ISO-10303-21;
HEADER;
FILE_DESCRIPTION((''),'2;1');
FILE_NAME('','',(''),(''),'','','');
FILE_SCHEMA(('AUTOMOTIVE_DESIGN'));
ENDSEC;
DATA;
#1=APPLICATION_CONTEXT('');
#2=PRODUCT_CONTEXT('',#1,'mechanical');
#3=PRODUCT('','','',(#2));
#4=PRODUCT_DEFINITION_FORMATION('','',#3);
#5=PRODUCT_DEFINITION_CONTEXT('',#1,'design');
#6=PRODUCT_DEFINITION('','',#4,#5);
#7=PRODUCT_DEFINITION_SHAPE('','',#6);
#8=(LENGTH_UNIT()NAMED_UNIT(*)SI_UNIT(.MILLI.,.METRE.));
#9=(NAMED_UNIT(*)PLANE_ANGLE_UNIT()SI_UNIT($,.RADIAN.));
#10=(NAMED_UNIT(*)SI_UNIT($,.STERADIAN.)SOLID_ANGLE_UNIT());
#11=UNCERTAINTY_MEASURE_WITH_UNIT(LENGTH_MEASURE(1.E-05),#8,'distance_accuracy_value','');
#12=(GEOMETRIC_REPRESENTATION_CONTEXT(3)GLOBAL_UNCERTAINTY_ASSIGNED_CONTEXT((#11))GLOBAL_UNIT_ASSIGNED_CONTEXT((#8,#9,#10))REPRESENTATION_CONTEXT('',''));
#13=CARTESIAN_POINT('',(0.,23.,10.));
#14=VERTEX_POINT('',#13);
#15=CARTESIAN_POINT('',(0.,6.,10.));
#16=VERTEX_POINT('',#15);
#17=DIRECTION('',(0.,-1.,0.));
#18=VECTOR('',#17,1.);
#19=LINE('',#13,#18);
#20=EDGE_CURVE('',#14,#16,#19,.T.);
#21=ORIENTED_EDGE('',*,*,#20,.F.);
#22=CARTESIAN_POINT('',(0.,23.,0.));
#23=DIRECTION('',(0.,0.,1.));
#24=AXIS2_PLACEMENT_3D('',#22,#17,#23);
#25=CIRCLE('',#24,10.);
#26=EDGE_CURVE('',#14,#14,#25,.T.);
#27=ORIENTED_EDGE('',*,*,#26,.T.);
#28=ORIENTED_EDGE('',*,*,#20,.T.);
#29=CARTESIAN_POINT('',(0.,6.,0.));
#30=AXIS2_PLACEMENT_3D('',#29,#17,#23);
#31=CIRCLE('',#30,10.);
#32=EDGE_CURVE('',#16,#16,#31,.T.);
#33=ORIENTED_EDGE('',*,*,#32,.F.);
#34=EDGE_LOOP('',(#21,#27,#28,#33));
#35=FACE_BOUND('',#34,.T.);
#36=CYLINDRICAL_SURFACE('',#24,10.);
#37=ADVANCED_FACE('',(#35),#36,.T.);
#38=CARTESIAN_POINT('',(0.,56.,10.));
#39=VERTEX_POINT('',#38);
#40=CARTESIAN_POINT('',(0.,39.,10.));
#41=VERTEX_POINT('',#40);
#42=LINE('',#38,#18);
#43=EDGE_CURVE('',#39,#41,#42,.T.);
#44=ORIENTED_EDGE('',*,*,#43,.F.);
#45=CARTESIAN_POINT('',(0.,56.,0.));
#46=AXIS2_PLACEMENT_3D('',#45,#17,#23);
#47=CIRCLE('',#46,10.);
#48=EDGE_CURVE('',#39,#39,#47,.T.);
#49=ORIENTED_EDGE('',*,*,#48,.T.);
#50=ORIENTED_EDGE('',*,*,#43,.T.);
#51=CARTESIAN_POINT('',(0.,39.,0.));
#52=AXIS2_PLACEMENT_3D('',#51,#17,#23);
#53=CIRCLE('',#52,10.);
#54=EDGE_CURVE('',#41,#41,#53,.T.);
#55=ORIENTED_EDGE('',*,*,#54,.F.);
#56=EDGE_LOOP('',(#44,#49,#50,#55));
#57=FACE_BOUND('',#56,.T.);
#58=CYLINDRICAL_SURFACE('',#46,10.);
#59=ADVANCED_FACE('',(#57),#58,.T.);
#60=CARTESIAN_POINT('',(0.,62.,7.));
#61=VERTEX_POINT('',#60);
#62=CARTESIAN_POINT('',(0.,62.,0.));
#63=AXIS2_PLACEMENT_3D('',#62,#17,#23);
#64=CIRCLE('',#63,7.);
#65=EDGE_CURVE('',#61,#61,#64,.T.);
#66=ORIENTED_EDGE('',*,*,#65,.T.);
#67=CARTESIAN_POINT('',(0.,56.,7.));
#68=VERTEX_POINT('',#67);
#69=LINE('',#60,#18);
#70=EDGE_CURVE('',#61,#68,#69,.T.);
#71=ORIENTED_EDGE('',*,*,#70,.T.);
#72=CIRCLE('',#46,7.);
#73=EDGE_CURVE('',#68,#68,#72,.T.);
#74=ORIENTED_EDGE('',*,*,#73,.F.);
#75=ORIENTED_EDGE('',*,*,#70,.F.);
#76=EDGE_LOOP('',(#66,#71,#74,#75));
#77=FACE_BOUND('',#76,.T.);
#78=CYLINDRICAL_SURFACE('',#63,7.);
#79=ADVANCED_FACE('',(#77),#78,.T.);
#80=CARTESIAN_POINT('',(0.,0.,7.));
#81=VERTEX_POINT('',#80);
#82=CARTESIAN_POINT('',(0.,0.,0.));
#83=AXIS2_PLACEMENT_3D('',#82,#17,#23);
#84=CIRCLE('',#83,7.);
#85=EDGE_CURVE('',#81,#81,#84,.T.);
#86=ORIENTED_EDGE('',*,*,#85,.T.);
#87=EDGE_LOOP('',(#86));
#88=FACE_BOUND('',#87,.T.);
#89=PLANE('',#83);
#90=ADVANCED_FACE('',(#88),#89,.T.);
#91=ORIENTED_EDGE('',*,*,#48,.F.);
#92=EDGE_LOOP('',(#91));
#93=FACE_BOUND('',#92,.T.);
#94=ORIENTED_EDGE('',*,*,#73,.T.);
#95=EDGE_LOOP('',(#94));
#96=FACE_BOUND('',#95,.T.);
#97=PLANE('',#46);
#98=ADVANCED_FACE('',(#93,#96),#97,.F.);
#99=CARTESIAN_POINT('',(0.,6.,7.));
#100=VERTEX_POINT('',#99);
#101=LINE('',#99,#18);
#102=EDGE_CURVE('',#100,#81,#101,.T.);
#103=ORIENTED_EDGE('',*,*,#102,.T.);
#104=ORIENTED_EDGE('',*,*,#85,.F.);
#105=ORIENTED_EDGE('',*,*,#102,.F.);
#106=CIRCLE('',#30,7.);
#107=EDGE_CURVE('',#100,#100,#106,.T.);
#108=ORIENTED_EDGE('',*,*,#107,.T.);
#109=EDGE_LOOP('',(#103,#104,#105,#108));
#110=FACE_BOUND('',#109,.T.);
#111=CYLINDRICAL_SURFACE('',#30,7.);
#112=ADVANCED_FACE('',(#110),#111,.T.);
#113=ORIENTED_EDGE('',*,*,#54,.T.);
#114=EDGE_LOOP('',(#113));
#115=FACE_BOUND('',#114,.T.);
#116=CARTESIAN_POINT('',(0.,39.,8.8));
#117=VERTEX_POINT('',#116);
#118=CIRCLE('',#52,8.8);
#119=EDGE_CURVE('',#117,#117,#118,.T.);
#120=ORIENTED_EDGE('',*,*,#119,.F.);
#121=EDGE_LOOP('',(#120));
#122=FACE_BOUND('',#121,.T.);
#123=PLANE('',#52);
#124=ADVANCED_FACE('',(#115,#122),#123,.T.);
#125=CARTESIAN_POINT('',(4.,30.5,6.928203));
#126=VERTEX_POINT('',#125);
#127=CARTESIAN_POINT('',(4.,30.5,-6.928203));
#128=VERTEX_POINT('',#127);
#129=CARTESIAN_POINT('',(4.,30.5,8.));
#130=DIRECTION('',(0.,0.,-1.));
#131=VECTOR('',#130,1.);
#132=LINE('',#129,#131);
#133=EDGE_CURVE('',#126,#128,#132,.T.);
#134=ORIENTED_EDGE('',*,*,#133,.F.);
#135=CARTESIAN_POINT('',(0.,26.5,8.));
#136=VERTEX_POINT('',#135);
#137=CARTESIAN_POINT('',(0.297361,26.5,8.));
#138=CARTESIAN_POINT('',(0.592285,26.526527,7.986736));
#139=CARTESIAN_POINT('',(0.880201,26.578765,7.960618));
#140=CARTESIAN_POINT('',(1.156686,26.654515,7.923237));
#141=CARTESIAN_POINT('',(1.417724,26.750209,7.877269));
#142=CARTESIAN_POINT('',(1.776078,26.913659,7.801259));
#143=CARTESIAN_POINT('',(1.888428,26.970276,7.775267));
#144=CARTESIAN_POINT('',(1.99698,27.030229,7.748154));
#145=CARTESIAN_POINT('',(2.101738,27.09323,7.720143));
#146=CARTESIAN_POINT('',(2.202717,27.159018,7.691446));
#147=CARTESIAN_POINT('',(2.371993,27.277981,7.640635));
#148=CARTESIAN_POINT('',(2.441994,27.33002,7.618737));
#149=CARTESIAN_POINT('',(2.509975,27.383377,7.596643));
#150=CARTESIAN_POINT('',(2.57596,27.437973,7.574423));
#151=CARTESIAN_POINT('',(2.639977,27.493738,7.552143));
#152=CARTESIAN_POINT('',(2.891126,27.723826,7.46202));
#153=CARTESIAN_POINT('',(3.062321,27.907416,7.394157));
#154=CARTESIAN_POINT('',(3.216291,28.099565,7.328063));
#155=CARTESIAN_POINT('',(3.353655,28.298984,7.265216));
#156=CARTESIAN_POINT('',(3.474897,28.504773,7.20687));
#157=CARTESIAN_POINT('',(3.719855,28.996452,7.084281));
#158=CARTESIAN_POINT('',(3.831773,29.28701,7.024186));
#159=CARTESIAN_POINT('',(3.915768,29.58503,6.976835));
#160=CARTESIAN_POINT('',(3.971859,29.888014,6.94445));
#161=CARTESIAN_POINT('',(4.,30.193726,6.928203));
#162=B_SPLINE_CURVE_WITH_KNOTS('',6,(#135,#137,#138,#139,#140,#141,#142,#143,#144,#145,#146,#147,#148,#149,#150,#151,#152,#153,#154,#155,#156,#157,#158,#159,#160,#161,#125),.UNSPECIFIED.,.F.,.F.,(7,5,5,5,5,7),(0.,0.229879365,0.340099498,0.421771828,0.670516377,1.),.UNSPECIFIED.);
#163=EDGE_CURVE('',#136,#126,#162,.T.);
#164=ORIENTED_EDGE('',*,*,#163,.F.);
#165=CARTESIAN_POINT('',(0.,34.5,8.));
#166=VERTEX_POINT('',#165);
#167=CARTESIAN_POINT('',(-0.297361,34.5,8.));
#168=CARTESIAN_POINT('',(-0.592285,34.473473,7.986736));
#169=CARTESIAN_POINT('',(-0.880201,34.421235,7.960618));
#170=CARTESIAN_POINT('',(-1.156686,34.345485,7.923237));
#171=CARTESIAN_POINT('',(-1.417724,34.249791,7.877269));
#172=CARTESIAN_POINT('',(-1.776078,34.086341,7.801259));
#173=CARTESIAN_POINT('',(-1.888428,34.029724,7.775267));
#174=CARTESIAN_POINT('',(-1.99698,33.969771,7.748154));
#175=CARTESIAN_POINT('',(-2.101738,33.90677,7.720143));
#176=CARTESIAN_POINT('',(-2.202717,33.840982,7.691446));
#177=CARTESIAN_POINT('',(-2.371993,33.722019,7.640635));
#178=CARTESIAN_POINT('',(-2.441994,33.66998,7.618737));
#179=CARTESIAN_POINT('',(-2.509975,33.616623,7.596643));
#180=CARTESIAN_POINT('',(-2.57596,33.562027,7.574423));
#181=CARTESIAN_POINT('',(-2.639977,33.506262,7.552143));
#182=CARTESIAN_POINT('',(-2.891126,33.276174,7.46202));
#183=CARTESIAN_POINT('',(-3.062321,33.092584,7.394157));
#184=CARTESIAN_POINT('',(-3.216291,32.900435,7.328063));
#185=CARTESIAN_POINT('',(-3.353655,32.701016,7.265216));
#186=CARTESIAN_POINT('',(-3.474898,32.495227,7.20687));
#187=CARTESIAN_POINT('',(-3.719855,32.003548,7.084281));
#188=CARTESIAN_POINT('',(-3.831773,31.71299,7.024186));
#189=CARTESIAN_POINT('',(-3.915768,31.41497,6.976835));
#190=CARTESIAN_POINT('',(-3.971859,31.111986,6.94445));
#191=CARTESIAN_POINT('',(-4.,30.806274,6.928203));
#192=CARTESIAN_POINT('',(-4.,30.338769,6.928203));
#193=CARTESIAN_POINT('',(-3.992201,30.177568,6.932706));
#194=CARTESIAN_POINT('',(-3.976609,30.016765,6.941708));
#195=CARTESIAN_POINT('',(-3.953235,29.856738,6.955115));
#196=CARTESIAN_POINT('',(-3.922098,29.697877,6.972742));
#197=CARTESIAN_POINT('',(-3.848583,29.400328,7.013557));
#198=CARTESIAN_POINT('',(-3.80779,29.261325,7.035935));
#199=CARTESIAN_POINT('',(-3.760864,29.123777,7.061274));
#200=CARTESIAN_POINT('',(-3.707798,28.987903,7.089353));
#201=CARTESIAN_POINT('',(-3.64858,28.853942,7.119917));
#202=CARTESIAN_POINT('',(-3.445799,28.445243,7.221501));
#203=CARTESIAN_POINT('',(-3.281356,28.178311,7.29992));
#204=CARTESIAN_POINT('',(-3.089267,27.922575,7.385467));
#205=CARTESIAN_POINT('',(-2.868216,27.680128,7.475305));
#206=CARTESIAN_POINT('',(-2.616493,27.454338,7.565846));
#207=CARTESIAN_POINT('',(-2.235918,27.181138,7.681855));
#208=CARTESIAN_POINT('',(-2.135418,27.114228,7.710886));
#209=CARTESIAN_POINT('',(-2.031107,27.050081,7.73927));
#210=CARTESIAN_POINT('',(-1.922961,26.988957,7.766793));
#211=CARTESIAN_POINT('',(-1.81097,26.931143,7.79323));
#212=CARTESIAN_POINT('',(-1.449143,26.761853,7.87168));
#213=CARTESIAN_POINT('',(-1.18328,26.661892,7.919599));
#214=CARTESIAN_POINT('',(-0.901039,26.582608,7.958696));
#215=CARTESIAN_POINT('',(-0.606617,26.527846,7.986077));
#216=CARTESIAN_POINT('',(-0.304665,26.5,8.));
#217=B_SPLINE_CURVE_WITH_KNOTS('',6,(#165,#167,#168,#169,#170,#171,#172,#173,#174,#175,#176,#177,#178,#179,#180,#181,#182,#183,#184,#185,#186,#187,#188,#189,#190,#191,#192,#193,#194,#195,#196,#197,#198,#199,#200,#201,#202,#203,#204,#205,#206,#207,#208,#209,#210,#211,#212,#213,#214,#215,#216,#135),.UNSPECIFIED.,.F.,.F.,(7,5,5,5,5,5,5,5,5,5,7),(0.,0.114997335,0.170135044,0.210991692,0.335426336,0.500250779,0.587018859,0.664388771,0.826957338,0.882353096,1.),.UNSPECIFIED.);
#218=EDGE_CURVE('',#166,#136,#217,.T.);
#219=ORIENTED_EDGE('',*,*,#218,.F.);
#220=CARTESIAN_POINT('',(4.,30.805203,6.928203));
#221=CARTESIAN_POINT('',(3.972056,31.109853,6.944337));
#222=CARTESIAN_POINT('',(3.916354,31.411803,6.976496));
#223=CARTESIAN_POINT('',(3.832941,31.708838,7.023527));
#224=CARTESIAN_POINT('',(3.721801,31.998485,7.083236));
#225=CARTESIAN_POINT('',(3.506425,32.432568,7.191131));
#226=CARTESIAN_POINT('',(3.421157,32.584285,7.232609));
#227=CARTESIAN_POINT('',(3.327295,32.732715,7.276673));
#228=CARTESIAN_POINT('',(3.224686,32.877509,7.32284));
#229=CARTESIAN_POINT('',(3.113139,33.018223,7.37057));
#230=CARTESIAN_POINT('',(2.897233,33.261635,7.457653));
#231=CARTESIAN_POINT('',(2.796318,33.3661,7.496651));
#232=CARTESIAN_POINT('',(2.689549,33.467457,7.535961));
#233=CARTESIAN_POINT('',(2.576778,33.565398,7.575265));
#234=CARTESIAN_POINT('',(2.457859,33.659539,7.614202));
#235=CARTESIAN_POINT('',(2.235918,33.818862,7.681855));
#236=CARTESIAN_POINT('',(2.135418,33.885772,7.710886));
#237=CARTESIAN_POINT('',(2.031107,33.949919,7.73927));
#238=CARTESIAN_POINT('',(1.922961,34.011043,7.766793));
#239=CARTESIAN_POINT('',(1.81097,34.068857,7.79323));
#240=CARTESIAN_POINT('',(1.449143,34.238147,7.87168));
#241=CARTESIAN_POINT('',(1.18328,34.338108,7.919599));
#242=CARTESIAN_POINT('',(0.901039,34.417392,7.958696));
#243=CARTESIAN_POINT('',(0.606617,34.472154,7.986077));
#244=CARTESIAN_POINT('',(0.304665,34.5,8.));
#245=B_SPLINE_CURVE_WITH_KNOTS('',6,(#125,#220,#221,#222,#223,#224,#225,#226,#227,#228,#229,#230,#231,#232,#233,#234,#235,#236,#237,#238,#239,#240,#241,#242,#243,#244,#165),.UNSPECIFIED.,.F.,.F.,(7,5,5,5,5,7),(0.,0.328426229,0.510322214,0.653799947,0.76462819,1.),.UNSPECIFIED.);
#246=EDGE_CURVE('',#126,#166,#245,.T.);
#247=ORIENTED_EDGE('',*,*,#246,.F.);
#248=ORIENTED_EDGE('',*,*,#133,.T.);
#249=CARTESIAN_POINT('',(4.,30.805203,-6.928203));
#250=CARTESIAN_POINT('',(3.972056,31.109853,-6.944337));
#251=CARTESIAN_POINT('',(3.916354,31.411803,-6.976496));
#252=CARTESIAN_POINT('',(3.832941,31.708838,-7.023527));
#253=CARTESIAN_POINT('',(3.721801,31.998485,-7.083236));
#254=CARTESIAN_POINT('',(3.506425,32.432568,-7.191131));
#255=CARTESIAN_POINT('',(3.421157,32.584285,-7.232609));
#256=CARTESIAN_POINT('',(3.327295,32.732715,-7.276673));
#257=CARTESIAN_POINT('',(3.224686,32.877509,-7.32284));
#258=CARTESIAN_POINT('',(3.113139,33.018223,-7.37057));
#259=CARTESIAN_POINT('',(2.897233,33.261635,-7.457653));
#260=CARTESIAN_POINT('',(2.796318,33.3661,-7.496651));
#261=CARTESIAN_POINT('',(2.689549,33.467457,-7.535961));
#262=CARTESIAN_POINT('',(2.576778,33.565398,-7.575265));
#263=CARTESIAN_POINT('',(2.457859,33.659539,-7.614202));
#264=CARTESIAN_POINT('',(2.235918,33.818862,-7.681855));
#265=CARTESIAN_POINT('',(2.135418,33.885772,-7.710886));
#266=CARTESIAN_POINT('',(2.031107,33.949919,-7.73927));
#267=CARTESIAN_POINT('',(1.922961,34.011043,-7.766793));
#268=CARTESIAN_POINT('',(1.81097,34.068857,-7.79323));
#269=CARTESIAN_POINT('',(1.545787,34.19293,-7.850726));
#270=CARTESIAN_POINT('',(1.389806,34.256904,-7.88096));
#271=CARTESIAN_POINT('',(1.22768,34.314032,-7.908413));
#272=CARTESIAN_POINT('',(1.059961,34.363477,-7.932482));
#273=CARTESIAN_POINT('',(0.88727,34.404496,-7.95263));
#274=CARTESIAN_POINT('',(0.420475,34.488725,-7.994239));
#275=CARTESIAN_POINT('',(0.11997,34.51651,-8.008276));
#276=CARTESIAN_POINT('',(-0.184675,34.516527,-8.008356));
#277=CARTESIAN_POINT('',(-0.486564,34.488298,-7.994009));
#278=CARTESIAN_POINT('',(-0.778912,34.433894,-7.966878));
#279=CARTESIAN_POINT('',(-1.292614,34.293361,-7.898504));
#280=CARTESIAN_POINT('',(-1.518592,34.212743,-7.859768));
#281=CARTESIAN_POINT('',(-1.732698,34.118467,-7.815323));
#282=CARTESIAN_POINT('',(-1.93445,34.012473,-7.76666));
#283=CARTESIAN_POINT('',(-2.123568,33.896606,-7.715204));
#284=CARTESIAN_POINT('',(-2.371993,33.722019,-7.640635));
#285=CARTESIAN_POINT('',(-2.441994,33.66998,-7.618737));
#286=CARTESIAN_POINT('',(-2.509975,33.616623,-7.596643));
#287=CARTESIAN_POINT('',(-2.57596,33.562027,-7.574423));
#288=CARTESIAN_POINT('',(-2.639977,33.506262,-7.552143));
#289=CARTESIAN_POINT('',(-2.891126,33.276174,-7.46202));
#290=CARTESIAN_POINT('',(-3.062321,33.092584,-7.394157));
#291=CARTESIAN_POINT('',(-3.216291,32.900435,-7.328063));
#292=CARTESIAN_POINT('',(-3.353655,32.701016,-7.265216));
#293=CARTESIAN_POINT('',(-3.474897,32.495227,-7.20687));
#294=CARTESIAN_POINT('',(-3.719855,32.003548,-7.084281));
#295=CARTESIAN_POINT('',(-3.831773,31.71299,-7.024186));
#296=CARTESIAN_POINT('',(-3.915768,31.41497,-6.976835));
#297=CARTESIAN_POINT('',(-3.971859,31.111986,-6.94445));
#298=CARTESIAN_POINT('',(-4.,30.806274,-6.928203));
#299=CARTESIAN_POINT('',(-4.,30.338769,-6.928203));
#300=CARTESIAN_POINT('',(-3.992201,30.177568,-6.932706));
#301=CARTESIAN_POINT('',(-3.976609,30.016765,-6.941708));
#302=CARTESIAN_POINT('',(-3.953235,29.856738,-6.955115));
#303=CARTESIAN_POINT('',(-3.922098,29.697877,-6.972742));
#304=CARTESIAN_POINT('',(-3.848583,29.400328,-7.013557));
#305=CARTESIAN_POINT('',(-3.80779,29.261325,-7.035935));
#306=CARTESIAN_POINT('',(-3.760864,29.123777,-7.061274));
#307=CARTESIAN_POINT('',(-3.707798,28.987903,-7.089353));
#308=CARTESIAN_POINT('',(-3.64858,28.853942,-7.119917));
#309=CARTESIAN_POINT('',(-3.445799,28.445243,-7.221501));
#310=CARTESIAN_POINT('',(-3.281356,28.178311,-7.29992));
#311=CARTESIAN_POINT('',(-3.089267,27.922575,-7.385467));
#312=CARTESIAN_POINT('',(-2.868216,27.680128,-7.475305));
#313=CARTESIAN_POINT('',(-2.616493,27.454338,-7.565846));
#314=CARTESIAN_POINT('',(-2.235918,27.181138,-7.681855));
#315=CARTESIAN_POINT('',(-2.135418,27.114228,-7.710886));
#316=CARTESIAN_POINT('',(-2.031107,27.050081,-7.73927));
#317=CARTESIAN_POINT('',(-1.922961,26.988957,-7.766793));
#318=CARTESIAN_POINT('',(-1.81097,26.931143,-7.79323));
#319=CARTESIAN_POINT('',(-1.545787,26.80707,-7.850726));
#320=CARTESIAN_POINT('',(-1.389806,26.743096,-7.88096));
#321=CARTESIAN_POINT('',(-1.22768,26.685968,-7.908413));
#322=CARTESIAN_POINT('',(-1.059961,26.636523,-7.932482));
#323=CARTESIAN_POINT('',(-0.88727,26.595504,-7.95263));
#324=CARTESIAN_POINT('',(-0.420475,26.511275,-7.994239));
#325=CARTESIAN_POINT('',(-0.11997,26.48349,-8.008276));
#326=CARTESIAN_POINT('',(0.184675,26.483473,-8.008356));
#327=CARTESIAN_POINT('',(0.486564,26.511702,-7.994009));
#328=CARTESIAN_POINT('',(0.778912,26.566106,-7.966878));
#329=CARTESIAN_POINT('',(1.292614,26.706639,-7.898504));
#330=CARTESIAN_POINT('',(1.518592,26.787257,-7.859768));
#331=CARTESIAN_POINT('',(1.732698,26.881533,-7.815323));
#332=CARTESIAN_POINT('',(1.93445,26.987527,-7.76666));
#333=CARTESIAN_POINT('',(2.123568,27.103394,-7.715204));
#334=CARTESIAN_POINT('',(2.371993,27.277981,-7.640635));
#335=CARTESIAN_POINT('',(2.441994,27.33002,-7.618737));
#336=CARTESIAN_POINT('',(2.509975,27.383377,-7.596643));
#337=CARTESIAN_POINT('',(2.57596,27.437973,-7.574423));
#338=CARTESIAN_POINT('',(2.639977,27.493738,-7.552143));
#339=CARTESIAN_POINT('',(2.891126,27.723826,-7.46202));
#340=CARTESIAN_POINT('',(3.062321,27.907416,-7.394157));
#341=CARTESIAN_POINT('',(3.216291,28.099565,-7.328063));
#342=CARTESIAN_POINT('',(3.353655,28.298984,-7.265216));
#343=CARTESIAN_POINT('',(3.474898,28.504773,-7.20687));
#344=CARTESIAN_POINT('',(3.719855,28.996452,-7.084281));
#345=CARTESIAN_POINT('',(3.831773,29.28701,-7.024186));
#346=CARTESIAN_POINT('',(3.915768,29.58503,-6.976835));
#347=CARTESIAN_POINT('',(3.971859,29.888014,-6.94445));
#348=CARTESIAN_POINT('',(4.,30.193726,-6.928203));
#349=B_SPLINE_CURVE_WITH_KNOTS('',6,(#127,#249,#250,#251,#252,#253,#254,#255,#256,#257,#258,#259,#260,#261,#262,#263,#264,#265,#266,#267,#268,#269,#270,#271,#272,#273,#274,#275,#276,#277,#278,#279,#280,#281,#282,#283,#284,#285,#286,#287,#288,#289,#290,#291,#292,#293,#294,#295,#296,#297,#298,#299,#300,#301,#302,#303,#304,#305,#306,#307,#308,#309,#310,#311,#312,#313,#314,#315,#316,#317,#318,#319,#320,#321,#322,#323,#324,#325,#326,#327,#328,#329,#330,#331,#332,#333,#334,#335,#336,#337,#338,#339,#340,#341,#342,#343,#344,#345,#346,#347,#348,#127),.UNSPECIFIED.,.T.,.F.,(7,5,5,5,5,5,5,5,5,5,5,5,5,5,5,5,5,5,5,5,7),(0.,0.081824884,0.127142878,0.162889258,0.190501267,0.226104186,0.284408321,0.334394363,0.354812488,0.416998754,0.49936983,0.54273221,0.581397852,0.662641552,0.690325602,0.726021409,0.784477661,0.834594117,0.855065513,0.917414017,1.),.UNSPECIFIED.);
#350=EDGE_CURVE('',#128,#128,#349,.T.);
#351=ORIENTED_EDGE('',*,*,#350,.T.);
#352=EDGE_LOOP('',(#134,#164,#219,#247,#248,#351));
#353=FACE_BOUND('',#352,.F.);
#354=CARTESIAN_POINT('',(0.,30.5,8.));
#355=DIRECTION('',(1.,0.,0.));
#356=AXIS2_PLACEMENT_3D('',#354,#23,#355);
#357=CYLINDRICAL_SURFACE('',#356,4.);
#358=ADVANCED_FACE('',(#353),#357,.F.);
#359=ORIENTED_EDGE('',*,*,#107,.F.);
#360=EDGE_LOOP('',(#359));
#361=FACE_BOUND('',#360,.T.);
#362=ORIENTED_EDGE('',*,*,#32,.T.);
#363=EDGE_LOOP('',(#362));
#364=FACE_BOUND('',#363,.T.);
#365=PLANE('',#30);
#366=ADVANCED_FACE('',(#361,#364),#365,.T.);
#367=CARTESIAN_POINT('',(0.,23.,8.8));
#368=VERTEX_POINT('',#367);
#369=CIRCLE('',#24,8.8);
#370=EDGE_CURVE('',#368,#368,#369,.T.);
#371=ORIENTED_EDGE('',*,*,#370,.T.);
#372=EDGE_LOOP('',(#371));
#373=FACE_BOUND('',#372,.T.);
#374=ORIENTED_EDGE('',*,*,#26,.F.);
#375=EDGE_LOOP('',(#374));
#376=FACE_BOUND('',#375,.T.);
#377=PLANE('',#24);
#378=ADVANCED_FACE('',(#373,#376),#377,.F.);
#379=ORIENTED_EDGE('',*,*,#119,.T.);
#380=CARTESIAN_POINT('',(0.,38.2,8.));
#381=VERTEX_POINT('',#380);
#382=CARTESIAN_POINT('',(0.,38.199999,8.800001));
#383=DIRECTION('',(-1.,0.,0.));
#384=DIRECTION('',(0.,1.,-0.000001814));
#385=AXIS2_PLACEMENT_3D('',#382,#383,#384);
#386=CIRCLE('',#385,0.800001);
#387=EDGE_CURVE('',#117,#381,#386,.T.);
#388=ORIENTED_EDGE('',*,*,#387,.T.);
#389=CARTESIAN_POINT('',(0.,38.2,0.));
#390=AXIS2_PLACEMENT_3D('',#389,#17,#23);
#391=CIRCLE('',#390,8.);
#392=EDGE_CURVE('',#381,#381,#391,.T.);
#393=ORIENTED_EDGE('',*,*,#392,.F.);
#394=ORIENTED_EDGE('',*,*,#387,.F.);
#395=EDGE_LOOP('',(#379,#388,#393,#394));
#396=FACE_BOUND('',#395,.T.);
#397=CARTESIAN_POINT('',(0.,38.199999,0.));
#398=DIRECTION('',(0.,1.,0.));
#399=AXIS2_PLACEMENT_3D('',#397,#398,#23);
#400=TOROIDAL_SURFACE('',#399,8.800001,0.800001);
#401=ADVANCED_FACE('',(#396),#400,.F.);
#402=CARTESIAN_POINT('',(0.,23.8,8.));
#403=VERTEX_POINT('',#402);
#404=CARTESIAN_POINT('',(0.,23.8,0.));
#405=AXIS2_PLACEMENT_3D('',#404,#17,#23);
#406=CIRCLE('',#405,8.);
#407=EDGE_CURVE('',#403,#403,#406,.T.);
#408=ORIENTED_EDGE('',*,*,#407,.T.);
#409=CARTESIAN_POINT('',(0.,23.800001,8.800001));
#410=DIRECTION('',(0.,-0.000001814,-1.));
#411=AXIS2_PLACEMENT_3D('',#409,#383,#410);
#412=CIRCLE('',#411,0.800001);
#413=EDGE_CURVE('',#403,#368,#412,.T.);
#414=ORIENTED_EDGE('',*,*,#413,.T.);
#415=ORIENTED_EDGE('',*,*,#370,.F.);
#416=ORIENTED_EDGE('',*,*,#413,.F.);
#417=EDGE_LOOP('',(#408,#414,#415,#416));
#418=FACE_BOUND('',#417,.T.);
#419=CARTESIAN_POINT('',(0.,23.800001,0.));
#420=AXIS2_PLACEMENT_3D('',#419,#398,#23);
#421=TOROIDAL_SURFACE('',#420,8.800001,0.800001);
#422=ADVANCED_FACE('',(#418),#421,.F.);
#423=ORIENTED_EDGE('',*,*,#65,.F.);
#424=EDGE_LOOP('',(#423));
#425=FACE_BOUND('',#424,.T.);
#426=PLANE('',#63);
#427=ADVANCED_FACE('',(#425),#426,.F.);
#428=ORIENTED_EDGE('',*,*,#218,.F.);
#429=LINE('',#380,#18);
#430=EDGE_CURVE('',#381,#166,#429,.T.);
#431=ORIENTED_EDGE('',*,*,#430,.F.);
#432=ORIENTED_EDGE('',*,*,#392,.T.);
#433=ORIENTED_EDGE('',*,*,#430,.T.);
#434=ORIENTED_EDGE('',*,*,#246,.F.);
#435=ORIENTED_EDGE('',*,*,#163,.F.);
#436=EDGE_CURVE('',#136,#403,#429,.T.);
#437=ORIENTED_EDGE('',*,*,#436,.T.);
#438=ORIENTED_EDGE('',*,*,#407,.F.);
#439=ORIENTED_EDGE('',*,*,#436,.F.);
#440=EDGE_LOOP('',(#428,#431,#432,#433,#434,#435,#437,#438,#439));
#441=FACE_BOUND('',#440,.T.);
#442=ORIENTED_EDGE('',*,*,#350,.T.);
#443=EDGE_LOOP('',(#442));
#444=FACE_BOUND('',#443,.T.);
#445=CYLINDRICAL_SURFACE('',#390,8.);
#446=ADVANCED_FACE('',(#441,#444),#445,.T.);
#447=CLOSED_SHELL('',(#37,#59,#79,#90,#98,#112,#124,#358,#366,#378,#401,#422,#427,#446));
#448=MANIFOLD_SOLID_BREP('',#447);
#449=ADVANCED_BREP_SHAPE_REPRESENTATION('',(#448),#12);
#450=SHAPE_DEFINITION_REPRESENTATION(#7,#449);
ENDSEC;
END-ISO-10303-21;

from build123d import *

# Parameters (mm, degrees)
F3_R     = 4
F4_DEPTH = 18.001


with BuildPart() as f1:
    # F0 (on Right) → F1 (revolve)
    with BuildSketch(Plane.YZ):
        with BuildLine():
            Line((0, 7), (0, 0))
            Line((0, 0), (62, 0))
            Line((62, 0), (62, 7))
            Line((62, 7), (56, 7))
            Line((56, 7), (56, 10))
            Line((56, 10), (39, 10))
            Line((39, 10), (39, 8.8))
            ThreePointArc((39, 8.8), (38.765685, 8.234315), (38.2, 8))
            Line((38.2, 8), (23.8, 8))
            ThreePointArc((23.8, 8), (23.234315, 8.234315), (23, 8.8))
            Line((23, 8.8), (23, 10))
            Line((23, 10), (6, 10))
            Line((6, 10), (6, 7))
            Line((6, 7), (0, 7))
        make_face()
    revolve(axis=Axis((0, 31, 0), (0, -1, 0)))

    # F3 (on offset) → F4 (cut, through all)
    with BuildSketch(Plane.XY.offset(8)):
        with Locations((0, 30.5)):
            Circle(F3_R)
    extrude(amount=-F4_DEPTH, mode=Mode.SUBTRACT)


solid = f1.part
